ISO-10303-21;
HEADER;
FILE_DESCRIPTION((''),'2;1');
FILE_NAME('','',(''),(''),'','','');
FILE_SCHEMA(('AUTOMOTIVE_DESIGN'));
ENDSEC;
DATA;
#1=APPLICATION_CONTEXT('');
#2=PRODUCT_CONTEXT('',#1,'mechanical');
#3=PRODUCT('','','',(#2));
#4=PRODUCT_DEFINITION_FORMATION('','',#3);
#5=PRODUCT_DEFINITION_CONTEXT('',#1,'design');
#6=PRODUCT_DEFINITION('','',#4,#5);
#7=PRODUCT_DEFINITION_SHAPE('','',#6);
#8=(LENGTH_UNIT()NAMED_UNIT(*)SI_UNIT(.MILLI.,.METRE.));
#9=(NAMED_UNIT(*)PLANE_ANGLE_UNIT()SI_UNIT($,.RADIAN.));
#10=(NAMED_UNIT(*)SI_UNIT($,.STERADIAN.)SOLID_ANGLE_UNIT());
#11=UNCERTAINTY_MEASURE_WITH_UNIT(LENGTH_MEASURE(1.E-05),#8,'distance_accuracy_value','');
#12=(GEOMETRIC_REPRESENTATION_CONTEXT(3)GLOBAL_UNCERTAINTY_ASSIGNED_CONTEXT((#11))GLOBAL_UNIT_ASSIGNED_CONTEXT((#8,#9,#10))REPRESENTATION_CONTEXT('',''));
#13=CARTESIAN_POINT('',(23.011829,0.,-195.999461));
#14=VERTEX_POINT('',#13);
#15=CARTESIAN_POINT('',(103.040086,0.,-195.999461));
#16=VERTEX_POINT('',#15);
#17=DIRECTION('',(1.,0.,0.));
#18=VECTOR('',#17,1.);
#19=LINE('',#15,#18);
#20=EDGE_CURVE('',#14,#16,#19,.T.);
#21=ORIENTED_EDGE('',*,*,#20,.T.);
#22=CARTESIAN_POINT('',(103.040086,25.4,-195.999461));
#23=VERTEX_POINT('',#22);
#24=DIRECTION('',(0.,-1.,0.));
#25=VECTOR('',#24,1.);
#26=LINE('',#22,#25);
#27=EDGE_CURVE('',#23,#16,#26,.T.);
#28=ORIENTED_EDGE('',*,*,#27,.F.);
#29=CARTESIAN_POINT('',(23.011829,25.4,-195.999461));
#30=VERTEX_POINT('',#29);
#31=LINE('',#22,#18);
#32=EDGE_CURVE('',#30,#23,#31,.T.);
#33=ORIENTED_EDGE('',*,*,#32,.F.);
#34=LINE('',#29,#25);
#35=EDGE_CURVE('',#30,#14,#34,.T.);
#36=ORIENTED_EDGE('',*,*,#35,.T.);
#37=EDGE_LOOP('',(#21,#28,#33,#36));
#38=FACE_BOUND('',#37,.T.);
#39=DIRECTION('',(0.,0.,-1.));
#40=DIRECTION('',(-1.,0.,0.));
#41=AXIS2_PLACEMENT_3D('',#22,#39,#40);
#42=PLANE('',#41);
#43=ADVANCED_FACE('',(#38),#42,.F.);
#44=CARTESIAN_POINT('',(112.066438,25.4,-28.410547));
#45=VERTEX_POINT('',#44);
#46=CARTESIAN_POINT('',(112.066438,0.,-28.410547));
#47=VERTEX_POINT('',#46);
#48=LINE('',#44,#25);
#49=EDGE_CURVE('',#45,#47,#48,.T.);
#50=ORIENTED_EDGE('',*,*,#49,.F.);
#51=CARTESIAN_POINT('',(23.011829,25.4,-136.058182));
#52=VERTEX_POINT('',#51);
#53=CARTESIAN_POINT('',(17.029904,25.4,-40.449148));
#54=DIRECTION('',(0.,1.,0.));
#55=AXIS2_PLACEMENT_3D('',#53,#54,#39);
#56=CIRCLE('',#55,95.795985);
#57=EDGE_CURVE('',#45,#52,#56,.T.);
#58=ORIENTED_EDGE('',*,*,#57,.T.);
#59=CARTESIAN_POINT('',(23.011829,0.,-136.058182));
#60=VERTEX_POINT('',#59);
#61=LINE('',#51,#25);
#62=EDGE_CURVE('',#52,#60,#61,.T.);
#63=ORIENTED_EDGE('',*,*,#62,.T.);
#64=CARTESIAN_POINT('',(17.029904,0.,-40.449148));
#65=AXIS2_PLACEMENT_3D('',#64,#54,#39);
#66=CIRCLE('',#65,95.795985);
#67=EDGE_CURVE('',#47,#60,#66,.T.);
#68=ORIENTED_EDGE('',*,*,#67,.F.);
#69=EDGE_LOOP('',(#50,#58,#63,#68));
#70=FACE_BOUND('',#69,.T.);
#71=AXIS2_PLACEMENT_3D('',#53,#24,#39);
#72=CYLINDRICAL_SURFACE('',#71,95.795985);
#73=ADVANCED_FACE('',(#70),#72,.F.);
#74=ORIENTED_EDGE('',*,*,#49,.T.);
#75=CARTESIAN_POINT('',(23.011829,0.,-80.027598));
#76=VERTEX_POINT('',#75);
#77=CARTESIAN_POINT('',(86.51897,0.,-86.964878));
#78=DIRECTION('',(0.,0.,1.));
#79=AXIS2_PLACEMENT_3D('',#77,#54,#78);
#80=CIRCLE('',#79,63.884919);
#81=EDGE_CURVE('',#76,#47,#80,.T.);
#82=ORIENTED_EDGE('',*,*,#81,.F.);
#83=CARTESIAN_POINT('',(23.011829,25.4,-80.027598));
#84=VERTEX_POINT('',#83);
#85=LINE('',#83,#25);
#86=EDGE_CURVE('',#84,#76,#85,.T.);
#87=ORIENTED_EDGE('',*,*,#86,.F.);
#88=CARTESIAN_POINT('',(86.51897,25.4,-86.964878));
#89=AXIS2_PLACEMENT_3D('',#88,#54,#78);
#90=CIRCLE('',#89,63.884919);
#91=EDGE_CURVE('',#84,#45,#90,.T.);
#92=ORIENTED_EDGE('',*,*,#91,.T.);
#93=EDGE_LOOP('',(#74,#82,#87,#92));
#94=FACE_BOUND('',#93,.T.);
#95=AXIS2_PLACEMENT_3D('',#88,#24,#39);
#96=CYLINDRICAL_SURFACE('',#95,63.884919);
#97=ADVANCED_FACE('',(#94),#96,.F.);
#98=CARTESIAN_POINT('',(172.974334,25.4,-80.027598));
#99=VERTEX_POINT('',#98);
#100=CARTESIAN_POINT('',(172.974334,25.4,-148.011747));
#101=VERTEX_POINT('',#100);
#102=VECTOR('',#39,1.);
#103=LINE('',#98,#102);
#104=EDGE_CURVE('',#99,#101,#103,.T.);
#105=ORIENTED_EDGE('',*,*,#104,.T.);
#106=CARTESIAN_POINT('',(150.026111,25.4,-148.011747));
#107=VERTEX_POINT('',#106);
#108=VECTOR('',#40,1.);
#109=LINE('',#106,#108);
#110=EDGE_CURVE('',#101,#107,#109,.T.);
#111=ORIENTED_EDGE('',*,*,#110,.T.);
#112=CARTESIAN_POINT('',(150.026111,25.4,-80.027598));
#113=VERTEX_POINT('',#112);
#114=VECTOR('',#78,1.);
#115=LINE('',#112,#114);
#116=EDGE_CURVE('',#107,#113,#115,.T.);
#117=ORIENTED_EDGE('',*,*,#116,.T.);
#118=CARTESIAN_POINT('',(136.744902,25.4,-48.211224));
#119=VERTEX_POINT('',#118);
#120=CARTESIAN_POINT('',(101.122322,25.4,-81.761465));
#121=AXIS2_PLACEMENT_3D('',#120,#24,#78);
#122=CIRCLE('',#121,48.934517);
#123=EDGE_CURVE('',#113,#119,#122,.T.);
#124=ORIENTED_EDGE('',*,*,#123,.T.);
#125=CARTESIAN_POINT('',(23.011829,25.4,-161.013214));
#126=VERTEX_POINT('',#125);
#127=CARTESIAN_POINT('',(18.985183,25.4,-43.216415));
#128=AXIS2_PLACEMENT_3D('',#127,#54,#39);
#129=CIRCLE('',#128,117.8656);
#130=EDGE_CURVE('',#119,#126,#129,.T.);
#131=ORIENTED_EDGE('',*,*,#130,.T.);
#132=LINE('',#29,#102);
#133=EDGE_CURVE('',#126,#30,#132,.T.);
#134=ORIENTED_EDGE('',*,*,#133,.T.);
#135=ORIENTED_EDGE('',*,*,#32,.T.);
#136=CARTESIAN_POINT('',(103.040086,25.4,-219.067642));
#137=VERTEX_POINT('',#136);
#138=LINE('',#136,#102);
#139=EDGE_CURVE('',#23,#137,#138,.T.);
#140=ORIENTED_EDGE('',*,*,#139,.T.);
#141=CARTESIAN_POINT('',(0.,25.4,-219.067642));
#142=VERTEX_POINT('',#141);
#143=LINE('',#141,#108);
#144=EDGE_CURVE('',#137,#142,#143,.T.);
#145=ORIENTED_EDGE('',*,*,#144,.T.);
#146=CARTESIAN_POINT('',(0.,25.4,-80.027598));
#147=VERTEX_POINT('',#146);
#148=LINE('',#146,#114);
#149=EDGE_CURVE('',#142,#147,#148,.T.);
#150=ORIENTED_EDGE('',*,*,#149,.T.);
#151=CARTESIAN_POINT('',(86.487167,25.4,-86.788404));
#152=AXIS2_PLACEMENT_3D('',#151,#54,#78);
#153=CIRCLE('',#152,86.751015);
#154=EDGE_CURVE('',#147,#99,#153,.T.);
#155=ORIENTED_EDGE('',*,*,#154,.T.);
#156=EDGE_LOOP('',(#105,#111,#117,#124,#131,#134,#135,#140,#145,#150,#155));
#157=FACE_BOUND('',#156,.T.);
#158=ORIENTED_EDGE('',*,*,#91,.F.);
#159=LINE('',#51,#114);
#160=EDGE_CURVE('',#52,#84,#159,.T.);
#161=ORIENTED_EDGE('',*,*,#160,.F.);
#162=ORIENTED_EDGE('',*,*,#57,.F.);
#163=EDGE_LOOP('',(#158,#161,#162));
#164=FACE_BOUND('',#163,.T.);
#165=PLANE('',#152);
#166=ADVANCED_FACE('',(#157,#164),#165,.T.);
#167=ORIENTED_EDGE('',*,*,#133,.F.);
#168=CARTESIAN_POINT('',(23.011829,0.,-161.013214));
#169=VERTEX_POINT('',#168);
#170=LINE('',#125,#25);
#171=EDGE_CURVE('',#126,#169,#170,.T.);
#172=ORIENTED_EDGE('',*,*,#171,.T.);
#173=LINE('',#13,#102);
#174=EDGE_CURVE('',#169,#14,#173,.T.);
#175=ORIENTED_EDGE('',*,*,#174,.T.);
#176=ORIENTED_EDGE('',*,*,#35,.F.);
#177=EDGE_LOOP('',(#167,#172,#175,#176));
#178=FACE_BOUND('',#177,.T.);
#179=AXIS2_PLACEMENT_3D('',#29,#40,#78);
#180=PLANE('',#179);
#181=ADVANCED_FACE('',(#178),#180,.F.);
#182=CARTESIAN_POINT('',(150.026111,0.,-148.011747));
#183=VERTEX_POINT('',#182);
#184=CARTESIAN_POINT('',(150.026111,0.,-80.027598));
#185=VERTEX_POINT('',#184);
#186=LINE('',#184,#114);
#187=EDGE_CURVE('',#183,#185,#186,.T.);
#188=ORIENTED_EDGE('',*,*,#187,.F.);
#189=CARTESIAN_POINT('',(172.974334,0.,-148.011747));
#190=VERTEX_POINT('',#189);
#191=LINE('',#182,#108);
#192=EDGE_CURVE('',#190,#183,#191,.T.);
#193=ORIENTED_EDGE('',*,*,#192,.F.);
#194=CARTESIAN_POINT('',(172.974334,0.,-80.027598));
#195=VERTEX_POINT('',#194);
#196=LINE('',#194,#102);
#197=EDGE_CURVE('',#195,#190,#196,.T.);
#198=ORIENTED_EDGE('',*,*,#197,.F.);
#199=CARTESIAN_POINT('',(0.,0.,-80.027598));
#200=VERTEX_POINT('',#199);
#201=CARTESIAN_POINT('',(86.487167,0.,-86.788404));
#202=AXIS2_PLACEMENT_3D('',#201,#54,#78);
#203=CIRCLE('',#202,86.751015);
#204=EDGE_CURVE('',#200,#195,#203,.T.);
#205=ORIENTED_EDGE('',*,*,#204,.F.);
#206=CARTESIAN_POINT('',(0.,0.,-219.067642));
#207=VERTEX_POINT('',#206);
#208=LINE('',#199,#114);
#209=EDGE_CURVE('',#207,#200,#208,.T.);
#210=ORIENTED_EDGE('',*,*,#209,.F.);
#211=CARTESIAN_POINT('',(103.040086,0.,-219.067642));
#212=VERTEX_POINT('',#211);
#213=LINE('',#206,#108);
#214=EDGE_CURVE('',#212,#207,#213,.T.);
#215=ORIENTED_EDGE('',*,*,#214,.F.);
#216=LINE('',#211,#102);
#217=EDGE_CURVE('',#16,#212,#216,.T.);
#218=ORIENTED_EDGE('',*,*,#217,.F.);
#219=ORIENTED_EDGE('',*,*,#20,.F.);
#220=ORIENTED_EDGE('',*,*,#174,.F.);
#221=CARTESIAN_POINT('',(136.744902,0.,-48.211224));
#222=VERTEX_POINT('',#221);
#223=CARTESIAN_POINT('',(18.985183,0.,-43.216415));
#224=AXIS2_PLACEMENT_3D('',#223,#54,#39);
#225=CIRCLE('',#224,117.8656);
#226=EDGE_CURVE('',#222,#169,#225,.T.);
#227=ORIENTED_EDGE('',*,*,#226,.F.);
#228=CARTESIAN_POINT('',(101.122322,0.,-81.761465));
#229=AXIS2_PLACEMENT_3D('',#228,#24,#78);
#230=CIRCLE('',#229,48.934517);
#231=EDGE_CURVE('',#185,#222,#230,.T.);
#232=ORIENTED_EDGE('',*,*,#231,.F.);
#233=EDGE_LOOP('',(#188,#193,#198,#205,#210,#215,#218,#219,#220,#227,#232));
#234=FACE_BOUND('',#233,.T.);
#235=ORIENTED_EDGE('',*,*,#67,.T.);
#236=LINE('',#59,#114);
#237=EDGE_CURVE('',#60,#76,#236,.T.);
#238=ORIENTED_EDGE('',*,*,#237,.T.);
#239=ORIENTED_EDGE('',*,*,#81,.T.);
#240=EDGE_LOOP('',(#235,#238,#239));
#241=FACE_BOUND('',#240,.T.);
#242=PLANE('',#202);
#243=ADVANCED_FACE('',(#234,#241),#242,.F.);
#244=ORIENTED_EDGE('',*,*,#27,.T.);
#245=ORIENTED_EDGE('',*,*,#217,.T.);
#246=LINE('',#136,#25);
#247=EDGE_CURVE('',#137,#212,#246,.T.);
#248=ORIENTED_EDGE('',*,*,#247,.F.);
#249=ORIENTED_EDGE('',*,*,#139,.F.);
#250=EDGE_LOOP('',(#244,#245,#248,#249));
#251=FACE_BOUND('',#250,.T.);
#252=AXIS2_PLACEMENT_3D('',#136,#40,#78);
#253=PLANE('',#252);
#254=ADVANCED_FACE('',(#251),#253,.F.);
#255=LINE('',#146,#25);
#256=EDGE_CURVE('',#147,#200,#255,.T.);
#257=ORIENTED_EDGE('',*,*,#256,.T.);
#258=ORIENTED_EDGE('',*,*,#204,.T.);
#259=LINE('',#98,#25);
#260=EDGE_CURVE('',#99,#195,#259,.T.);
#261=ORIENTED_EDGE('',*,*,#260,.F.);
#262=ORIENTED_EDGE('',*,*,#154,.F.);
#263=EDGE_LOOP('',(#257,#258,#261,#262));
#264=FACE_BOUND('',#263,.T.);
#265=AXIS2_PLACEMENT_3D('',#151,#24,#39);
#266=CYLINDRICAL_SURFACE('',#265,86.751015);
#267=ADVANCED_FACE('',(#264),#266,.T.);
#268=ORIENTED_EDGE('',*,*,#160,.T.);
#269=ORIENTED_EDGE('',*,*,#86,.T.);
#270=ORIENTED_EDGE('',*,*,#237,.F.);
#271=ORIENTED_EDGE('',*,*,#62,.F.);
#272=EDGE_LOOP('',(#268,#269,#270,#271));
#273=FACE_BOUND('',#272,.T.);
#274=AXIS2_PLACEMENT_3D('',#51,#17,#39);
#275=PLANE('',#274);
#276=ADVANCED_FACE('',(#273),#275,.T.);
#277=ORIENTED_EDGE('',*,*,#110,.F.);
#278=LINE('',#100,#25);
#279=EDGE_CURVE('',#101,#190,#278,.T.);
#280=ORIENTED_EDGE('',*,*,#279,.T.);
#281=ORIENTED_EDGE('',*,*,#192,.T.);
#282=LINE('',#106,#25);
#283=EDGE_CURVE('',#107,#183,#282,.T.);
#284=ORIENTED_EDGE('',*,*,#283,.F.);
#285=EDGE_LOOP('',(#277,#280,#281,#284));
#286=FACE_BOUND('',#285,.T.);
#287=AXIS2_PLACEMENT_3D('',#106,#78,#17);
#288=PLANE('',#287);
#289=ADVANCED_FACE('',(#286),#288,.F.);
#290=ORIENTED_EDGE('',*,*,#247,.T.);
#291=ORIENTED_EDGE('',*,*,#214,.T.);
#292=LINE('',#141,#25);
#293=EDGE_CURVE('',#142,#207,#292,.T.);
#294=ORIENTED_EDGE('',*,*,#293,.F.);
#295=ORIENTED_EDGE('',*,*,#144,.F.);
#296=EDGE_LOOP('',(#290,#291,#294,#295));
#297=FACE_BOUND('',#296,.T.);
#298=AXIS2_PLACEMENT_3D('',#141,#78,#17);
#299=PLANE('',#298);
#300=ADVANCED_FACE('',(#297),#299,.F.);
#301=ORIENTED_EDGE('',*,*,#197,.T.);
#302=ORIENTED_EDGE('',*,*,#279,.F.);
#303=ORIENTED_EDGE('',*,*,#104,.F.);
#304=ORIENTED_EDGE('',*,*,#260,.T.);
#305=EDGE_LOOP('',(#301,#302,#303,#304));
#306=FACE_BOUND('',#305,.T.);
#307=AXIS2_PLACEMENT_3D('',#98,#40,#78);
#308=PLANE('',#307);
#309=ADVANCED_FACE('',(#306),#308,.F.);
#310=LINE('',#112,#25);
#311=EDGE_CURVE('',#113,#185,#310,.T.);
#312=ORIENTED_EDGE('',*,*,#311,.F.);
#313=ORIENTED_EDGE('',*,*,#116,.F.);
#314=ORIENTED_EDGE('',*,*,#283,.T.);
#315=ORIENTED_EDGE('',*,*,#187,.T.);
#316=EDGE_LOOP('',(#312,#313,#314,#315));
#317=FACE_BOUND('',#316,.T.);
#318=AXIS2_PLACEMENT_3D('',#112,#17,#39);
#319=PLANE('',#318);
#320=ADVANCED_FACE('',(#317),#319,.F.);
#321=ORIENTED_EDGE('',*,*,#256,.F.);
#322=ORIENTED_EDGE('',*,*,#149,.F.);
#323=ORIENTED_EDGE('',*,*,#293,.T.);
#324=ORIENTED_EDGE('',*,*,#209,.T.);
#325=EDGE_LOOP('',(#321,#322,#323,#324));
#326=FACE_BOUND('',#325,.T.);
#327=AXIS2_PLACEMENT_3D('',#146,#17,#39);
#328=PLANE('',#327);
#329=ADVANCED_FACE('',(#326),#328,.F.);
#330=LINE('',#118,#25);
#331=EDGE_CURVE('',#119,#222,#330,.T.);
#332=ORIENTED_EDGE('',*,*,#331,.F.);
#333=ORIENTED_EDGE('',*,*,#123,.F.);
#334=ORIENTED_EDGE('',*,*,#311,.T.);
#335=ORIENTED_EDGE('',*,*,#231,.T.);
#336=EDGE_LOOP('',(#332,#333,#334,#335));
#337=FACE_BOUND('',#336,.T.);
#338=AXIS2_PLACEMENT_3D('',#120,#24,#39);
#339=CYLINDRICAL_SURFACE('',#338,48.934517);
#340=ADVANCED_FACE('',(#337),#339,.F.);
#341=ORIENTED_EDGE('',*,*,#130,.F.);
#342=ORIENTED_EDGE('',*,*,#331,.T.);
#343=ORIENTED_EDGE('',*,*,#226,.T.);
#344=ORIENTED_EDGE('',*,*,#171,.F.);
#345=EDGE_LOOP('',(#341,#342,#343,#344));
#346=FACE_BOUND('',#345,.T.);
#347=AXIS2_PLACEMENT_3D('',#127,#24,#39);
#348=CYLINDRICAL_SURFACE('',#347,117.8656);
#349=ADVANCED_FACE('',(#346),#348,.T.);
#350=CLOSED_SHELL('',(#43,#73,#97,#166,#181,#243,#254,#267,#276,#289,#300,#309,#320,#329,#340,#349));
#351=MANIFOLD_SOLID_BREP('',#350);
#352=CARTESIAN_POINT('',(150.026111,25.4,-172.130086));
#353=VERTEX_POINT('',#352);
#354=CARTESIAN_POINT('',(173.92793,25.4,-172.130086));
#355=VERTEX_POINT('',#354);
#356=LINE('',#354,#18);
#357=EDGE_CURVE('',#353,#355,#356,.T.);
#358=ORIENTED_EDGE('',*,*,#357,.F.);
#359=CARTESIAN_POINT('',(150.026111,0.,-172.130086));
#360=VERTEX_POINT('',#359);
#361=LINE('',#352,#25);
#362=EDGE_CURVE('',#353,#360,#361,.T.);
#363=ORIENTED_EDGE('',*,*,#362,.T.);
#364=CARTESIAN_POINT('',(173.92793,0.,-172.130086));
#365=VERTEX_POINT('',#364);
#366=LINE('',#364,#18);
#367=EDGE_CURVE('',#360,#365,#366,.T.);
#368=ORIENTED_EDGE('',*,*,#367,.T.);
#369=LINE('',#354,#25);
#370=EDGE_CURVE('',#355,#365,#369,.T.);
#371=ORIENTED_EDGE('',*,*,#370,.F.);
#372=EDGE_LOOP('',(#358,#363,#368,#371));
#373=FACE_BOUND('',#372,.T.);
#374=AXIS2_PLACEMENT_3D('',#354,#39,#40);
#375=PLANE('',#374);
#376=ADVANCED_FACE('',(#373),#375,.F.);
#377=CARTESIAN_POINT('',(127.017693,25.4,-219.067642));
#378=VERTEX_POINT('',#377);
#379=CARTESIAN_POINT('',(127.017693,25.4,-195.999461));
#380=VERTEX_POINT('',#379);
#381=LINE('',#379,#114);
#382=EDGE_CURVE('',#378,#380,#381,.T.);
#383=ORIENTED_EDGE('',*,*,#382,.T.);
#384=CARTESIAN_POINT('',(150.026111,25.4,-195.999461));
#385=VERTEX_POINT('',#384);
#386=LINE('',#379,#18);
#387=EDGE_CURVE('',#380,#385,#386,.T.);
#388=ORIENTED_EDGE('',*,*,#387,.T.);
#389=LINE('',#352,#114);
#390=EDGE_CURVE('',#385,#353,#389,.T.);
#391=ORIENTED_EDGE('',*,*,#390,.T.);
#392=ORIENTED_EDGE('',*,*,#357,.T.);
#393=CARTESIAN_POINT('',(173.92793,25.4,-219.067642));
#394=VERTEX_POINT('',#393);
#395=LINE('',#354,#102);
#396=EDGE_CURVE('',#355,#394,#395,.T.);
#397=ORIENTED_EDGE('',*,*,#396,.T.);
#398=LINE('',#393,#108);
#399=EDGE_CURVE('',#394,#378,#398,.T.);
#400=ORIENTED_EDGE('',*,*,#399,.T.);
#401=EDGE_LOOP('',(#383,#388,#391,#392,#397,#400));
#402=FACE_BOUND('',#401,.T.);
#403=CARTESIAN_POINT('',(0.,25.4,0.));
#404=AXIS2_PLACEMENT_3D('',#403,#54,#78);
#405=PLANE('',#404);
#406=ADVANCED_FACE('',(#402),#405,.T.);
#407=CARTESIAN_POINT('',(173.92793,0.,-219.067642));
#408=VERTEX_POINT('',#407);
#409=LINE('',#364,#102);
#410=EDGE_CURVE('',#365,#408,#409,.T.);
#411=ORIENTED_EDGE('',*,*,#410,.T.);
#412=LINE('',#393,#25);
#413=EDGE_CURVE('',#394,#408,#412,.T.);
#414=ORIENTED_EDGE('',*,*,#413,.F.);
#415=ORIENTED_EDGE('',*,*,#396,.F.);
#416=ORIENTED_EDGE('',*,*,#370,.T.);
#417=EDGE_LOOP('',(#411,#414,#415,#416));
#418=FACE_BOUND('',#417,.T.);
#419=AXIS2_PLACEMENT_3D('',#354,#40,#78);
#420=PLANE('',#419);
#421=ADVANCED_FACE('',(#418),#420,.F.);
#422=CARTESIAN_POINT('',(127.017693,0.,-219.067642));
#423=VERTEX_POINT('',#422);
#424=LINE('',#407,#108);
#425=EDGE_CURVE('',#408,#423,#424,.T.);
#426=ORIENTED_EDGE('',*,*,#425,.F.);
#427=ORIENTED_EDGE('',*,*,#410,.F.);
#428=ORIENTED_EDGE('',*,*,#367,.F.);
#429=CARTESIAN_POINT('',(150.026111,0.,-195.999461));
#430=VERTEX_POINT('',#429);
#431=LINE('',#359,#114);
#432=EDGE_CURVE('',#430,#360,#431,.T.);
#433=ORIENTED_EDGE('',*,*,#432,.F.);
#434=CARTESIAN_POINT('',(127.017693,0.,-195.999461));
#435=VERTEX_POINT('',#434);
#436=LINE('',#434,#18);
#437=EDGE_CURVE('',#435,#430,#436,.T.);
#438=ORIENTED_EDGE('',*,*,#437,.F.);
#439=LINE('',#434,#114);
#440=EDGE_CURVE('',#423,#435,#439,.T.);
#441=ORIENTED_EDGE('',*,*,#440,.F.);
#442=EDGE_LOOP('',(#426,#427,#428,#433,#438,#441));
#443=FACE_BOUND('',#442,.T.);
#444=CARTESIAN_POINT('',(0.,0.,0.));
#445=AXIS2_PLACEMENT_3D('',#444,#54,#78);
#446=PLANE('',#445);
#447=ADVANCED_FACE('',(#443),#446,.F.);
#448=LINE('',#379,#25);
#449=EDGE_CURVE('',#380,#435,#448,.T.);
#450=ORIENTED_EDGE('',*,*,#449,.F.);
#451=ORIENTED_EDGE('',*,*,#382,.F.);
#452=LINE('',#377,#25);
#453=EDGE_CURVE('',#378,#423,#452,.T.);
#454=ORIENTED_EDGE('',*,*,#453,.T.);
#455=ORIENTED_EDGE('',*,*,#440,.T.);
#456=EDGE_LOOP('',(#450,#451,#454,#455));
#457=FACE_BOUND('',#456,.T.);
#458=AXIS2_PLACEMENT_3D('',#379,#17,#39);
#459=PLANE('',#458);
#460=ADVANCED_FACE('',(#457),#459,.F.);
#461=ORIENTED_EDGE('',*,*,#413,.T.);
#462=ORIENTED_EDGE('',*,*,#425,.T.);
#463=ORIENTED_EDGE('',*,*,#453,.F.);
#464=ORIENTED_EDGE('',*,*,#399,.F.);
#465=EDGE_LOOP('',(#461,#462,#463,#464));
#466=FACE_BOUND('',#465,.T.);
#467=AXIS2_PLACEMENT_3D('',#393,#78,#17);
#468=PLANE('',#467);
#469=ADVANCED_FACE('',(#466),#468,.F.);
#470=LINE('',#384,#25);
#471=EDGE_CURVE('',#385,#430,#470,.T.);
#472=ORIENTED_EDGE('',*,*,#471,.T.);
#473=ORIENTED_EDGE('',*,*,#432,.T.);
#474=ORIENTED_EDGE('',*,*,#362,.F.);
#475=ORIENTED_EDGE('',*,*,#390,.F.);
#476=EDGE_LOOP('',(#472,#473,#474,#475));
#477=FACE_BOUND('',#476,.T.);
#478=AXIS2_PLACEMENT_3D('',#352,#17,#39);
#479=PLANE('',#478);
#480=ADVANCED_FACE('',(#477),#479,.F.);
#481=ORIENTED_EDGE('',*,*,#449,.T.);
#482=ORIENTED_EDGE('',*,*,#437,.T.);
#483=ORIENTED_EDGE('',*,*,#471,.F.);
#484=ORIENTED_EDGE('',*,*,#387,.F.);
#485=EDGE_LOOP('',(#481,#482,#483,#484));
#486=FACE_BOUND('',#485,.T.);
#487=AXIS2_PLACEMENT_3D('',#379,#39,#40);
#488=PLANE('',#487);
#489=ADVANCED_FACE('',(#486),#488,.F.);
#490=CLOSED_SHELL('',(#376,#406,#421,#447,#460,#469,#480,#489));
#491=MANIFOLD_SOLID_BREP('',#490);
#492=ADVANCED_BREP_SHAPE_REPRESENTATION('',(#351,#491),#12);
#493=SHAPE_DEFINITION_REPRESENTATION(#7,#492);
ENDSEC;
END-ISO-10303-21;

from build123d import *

# Parameters (mm, degrees)
BOSS_EXTRUDE1_DEPTH   = 25.4
BOSS_EXTRUDE1_2_DEPTH = 25.4


with BuildPart() as part:
    # Sketch1 → Boss-Extrude1 (new body)
    with BuildSketch(Plane(origin=(0, 0, 0), x_dir=(1, 0, 0), z_dir=(0, 1, 0))):
        with BuildLine():
            Line((0, 80.02759766), (0, 219.067642019))
            Line((0, 219.067642019), (103.040086398, 219.067642019))
            Line((103.040086398, 219.067642019), (103.040086398, 195.999460881))
            Line((103.040086398, 195.999460881), (23.011829096, 195.999460881))
            Line((23.011829096, 195.999460881), (23.011829096, 161.013213822))
            ThreePointArc((23.011829096, 161.013213822), (101.985495584, 126.901824422), (136.744902109, 48.211224327))
            ThreePointArc((136.744902109, 48.211224327), (146.280346481, 62.911008862), (150.026111113, 80.02759766))
            Line((150.026111113, 80.02759766), (150.026111113, 148.011746996))
            Line((150.026111113, 148.011746996), (172.974333949, 148.011746996))
            Line((172.974333949, 148.011746996), (172.974333949, 80.02759766))
            ThreePointArc((172.974333949, 80.02759766), (86.487166974, 0.037389651), (0, 80.02759766))
        make_face()
        with BuildLine():
            Line((23.011829096, 136.058182002), (23.011829096, 80.02759766))
            ThreePointArc((23.011829096, 80.02759766), (54.48283159, 31.69310754), (112.066438029, 28.410547154))
            ThreePointArc((112.066438029, 28.410547154), (90.841729512, 101.512108787), (23.011829096, 136.058182002))
        make_face(mode=Mode.SUBTRACT)
    extrude(amount=BOSS_EXTRUDE1_DEPTH)


with BuildPart() as body_2:
    # Sketch1 → Boss-Extrude1 2 (new body)
    with BuildSketch(Plane(origin=(0, 0, 0), x_dir=(1, 0, 0), z_dir=(0, 1, 0))):
        Polygon((173.927929859, 172.130085515), (150.026111113, 172.130085515), (150.026111113, 195.999460881), (127.017693125, 195.999460881), (127.017693125, 219.067642019), (173.927929859, 219.067642019), align=None)
    extrude(amount=BOSS_EXTRUDE1_2_DEPTH)


solid = Compound([part.part, body_2.part])
